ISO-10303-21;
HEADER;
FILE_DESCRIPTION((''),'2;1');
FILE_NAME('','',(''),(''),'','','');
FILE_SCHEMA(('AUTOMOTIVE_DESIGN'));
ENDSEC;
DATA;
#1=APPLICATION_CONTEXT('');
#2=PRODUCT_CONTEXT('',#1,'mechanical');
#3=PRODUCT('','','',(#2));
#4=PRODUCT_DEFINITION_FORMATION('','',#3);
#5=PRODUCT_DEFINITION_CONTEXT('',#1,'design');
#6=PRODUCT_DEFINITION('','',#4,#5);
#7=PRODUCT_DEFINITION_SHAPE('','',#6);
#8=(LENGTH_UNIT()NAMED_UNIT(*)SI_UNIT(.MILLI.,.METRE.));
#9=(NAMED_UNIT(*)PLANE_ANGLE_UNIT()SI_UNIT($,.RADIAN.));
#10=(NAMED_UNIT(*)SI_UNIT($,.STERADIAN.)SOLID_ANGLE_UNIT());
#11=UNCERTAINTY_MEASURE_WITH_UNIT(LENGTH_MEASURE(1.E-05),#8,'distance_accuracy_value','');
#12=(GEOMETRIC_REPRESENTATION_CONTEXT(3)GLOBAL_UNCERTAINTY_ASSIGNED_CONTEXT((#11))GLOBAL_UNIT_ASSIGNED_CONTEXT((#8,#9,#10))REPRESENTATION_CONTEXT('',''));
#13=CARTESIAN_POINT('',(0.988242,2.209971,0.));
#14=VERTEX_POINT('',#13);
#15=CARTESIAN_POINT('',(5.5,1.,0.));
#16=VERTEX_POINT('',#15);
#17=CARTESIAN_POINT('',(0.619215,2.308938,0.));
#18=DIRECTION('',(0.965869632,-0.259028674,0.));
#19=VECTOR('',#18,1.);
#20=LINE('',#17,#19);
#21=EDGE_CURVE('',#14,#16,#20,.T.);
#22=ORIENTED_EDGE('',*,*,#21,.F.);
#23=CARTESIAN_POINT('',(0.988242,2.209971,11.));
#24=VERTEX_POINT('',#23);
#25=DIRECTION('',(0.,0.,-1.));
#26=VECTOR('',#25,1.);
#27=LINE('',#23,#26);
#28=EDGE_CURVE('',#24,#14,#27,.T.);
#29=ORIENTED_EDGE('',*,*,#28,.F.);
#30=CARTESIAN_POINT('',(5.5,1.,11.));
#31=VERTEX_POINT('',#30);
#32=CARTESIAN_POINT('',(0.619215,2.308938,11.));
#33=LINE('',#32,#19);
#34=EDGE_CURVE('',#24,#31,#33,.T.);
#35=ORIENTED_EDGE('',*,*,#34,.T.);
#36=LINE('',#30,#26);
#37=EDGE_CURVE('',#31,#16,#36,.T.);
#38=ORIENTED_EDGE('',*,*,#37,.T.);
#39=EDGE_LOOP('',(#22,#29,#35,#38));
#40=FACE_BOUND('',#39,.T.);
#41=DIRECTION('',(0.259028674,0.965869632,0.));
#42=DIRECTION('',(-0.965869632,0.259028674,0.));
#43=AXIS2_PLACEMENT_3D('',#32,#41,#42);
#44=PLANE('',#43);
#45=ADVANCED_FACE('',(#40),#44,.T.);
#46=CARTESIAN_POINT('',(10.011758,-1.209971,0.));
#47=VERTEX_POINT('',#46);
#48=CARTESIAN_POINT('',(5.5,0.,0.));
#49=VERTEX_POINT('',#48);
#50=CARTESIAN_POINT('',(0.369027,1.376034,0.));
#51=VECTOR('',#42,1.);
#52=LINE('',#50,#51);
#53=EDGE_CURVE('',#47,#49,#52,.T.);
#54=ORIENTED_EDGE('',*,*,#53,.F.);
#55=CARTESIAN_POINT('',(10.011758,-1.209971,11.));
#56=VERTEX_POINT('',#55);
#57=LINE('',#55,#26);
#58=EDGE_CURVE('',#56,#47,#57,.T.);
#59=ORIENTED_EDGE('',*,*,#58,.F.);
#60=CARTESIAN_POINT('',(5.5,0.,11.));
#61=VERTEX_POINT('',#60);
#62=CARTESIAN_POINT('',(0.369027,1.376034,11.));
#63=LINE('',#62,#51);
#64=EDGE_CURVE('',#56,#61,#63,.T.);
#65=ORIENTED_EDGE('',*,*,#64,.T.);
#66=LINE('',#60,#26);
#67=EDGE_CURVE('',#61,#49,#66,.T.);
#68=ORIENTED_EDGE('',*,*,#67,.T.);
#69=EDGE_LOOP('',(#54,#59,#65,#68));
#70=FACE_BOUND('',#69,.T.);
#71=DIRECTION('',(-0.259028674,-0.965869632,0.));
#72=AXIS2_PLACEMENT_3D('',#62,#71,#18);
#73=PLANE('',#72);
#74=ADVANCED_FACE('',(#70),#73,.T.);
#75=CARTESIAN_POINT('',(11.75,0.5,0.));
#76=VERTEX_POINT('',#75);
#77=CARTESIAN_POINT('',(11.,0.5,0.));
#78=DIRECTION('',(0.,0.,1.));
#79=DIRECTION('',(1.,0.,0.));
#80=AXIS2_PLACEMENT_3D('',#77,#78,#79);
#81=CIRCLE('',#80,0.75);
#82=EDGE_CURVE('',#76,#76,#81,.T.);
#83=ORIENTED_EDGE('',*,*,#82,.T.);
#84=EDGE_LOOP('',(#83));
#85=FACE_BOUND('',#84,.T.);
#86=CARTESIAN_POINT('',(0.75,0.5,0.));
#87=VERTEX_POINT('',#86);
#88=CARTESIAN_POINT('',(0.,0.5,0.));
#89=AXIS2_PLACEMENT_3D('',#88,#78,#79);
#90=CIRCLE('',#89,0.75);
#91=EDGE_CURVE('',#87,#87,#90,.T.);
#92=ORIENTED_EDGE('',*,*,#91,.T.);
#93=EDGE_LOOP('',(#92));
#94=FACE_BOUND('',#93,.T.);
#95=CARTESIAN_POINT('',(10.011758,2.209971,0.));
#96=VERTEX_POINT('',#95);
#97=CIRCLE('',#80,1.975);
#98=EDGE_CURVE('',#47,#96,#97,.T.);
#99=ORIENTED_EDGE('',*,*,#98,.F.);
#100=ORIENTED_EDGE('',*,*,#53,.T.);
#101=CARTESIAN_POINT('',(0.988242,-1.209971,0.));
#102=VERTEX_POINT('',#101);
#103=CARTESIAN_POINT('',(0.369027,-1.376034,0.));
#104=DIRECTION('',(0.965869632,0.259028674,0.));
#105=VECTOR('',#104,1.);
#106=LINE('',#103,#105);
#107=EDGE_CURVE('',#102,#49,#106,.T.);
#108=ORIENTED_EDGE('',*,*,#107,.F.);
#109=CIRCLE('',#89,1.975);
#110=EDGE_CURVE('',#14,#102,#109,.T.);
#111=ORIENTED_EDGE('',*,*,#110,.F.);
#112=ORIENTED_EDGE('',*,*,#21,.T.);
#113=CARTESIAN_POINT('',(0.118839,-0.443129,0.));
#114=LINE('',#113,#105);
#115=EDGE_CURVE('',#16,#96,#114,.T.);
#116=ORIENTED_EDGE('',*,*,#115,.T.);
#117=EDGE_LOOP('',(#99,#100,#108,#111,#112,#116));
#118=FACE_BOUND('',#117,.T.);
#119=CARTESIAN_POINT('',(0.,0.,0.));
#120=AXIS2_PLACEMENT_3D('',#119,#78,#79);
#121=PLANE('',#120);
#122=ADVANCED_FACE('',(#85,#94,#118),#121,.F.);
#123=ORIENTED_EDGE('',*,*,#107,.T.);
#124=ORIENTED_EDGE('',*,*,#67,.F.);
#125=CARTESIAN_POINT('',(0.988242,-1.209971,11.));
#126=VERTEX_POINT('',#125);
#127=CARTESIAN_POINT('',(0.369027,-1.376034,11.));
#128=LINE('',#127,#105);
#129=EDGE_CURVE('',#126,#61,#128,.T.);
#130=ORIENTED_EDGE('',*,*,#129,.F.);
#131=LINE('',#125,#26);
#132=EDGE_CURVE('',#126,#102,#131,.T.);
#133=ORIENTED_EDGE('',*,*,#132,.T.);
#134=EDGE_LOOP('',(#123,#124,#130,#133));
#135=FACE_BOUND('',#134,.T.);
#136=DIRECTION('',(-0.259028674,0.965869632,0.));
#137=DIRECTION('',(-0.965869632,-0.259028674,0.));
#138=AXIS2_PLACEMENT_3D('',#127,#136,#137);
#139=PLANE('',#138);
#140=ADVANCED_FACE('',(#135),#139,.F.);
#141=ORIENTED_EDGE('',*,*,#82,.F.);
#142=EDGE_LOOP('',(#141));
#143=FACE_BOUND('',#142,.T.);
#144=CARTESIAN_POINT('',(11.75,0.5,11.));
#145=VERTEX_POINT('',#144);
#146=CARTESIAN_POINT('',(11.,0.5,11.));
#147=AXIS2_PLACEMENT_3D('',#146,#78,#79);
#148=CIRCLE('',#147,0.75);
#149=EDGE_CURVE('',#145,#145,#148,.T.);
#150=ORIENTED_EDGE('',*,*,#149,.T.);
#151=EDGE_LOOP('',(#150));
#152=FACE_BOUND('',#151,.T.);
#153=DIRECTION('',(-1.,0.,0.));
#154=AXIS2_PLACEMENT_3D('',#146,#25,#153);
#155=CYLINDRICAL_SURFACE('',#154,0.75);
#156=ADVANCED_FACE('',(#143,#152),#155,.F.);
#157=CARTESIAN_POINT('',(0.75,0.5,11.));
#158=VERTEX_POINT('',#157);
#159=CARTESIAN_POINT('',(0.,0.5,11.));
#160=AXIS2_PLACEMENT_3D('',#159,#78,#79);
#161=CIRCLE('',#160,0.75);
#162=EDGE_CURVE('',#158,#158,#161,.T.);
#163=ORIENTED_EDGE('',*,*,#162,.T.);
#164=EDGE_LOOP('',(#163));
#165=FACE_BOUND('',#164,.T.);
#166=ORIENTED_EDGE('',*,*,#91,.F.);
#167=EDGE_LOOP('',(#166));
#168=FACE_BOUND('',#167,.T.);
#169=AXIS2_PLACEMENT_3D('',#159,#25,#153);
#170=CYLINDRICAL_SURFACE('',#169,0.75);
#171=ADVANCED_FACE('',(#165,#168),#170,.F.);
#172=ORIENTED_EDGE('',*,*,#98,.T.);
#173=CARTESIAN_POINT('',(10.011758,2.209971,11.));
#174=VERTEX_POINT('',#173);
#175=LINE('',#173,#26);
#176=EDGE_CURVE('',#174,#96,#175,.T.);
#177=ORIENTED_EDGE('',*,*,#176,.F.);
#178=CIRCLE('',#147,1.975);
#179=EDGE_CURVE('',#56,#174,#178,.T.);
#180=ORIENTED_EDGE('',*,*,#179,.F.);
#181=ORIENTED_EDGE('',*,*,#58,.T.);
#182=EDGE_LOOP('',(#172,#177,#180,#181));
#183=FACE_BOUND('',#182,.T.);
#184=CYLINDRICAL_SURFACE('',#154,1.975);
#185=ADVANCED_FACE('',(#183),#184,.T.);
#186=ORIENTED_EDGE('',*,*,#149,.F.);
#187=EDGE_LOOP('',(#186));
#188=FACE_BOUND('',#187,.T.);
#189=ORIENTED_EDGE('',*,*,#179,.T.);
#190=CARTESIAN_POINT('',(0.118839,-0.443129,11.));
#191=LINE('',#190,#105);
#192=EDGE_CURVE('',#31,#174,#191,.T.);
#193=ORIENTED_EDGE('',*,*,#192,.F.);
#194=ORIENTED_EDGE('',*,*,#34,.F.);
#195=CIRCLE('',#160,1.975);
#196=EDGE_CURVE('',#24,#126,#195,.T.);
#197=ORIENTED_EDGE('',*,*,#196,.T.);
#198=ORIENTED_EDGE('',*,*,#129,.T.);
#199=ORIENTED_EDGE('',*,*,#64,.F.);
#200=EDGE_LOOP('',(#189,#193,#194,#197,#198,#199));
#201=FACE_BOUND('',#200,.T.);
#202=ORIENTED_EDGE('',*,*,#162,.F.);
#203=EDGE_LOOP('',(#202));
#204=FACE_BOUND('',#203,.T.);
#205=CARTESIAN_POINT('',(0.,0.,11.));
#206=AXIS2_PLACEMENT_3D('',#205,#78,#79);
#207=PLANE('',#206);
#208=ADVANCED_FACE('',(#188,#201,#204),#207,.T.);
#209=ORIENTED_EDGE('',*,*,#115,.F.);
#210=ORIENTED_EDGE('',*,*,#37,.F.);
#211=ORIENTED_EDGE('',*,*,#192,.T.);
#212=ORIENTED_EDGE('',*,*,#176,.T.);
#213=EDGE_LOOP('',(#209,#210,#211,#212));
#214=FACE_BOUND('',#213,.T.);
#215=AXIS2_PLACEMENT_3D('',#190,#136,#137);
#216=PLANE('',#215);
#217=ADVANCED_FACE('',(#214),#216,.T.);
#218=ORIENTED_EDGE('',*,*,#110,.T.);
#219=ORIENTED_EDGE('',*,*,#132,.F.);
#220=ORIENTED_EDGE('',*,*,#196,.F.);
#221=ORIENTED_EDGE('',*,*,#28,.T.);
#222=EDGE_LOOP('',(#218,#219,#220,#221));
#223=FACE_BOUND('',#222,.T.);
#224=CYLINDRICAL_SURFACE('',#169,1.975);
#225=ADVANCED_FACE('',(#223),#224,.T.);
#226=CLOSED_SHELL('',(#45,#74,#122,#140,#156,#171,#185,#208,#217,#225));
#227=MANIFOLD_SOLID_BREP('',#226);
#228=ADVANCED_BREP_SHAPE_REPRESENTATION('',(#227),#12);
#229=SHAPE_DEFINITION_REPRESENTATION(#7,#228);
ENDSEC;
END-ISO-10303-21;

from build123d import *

# Parameters (mm, degrees)
SKETCH1_R           = 0.75
BOSS_EXTRUDE1_DEPTH = 11


with BuildPart() as part:
    # Sketch1 → Boss-Extrude1 (new body)
    with BuildSketch(Plane.XY):
        with BuildLine():
            Line((10.011757676, 2.209971377), (5.5, 1))
            Line((5.5, 1), (0.988242324, 2.209971377))
            ThreePointArc((0.988242324, 2.209971377), (-1.975, 0.5), (0.988242324, -1.209971377))
            Line((0.988242324, -1.209971377), (5.5, 0))
            Line((5.5, 0), (10.011757676, -1.209971377))
            ThreePointArc((10.011757676, -1.209971377), (12.975, 0.5), (10.011757676, 2.209971377))
        make_face()
        with Locations((0, 0.5)):
            Circle(SKETCH1_R, mode=Mode.SUBTRACT)
        with Locations((11, 0.5)):
            Circle(SKETCH1_R, mode=Mode.SUBTRACT)
    extrude(amount=BOSS_EXTRUDE1_DEPTH)


solid = part.part
